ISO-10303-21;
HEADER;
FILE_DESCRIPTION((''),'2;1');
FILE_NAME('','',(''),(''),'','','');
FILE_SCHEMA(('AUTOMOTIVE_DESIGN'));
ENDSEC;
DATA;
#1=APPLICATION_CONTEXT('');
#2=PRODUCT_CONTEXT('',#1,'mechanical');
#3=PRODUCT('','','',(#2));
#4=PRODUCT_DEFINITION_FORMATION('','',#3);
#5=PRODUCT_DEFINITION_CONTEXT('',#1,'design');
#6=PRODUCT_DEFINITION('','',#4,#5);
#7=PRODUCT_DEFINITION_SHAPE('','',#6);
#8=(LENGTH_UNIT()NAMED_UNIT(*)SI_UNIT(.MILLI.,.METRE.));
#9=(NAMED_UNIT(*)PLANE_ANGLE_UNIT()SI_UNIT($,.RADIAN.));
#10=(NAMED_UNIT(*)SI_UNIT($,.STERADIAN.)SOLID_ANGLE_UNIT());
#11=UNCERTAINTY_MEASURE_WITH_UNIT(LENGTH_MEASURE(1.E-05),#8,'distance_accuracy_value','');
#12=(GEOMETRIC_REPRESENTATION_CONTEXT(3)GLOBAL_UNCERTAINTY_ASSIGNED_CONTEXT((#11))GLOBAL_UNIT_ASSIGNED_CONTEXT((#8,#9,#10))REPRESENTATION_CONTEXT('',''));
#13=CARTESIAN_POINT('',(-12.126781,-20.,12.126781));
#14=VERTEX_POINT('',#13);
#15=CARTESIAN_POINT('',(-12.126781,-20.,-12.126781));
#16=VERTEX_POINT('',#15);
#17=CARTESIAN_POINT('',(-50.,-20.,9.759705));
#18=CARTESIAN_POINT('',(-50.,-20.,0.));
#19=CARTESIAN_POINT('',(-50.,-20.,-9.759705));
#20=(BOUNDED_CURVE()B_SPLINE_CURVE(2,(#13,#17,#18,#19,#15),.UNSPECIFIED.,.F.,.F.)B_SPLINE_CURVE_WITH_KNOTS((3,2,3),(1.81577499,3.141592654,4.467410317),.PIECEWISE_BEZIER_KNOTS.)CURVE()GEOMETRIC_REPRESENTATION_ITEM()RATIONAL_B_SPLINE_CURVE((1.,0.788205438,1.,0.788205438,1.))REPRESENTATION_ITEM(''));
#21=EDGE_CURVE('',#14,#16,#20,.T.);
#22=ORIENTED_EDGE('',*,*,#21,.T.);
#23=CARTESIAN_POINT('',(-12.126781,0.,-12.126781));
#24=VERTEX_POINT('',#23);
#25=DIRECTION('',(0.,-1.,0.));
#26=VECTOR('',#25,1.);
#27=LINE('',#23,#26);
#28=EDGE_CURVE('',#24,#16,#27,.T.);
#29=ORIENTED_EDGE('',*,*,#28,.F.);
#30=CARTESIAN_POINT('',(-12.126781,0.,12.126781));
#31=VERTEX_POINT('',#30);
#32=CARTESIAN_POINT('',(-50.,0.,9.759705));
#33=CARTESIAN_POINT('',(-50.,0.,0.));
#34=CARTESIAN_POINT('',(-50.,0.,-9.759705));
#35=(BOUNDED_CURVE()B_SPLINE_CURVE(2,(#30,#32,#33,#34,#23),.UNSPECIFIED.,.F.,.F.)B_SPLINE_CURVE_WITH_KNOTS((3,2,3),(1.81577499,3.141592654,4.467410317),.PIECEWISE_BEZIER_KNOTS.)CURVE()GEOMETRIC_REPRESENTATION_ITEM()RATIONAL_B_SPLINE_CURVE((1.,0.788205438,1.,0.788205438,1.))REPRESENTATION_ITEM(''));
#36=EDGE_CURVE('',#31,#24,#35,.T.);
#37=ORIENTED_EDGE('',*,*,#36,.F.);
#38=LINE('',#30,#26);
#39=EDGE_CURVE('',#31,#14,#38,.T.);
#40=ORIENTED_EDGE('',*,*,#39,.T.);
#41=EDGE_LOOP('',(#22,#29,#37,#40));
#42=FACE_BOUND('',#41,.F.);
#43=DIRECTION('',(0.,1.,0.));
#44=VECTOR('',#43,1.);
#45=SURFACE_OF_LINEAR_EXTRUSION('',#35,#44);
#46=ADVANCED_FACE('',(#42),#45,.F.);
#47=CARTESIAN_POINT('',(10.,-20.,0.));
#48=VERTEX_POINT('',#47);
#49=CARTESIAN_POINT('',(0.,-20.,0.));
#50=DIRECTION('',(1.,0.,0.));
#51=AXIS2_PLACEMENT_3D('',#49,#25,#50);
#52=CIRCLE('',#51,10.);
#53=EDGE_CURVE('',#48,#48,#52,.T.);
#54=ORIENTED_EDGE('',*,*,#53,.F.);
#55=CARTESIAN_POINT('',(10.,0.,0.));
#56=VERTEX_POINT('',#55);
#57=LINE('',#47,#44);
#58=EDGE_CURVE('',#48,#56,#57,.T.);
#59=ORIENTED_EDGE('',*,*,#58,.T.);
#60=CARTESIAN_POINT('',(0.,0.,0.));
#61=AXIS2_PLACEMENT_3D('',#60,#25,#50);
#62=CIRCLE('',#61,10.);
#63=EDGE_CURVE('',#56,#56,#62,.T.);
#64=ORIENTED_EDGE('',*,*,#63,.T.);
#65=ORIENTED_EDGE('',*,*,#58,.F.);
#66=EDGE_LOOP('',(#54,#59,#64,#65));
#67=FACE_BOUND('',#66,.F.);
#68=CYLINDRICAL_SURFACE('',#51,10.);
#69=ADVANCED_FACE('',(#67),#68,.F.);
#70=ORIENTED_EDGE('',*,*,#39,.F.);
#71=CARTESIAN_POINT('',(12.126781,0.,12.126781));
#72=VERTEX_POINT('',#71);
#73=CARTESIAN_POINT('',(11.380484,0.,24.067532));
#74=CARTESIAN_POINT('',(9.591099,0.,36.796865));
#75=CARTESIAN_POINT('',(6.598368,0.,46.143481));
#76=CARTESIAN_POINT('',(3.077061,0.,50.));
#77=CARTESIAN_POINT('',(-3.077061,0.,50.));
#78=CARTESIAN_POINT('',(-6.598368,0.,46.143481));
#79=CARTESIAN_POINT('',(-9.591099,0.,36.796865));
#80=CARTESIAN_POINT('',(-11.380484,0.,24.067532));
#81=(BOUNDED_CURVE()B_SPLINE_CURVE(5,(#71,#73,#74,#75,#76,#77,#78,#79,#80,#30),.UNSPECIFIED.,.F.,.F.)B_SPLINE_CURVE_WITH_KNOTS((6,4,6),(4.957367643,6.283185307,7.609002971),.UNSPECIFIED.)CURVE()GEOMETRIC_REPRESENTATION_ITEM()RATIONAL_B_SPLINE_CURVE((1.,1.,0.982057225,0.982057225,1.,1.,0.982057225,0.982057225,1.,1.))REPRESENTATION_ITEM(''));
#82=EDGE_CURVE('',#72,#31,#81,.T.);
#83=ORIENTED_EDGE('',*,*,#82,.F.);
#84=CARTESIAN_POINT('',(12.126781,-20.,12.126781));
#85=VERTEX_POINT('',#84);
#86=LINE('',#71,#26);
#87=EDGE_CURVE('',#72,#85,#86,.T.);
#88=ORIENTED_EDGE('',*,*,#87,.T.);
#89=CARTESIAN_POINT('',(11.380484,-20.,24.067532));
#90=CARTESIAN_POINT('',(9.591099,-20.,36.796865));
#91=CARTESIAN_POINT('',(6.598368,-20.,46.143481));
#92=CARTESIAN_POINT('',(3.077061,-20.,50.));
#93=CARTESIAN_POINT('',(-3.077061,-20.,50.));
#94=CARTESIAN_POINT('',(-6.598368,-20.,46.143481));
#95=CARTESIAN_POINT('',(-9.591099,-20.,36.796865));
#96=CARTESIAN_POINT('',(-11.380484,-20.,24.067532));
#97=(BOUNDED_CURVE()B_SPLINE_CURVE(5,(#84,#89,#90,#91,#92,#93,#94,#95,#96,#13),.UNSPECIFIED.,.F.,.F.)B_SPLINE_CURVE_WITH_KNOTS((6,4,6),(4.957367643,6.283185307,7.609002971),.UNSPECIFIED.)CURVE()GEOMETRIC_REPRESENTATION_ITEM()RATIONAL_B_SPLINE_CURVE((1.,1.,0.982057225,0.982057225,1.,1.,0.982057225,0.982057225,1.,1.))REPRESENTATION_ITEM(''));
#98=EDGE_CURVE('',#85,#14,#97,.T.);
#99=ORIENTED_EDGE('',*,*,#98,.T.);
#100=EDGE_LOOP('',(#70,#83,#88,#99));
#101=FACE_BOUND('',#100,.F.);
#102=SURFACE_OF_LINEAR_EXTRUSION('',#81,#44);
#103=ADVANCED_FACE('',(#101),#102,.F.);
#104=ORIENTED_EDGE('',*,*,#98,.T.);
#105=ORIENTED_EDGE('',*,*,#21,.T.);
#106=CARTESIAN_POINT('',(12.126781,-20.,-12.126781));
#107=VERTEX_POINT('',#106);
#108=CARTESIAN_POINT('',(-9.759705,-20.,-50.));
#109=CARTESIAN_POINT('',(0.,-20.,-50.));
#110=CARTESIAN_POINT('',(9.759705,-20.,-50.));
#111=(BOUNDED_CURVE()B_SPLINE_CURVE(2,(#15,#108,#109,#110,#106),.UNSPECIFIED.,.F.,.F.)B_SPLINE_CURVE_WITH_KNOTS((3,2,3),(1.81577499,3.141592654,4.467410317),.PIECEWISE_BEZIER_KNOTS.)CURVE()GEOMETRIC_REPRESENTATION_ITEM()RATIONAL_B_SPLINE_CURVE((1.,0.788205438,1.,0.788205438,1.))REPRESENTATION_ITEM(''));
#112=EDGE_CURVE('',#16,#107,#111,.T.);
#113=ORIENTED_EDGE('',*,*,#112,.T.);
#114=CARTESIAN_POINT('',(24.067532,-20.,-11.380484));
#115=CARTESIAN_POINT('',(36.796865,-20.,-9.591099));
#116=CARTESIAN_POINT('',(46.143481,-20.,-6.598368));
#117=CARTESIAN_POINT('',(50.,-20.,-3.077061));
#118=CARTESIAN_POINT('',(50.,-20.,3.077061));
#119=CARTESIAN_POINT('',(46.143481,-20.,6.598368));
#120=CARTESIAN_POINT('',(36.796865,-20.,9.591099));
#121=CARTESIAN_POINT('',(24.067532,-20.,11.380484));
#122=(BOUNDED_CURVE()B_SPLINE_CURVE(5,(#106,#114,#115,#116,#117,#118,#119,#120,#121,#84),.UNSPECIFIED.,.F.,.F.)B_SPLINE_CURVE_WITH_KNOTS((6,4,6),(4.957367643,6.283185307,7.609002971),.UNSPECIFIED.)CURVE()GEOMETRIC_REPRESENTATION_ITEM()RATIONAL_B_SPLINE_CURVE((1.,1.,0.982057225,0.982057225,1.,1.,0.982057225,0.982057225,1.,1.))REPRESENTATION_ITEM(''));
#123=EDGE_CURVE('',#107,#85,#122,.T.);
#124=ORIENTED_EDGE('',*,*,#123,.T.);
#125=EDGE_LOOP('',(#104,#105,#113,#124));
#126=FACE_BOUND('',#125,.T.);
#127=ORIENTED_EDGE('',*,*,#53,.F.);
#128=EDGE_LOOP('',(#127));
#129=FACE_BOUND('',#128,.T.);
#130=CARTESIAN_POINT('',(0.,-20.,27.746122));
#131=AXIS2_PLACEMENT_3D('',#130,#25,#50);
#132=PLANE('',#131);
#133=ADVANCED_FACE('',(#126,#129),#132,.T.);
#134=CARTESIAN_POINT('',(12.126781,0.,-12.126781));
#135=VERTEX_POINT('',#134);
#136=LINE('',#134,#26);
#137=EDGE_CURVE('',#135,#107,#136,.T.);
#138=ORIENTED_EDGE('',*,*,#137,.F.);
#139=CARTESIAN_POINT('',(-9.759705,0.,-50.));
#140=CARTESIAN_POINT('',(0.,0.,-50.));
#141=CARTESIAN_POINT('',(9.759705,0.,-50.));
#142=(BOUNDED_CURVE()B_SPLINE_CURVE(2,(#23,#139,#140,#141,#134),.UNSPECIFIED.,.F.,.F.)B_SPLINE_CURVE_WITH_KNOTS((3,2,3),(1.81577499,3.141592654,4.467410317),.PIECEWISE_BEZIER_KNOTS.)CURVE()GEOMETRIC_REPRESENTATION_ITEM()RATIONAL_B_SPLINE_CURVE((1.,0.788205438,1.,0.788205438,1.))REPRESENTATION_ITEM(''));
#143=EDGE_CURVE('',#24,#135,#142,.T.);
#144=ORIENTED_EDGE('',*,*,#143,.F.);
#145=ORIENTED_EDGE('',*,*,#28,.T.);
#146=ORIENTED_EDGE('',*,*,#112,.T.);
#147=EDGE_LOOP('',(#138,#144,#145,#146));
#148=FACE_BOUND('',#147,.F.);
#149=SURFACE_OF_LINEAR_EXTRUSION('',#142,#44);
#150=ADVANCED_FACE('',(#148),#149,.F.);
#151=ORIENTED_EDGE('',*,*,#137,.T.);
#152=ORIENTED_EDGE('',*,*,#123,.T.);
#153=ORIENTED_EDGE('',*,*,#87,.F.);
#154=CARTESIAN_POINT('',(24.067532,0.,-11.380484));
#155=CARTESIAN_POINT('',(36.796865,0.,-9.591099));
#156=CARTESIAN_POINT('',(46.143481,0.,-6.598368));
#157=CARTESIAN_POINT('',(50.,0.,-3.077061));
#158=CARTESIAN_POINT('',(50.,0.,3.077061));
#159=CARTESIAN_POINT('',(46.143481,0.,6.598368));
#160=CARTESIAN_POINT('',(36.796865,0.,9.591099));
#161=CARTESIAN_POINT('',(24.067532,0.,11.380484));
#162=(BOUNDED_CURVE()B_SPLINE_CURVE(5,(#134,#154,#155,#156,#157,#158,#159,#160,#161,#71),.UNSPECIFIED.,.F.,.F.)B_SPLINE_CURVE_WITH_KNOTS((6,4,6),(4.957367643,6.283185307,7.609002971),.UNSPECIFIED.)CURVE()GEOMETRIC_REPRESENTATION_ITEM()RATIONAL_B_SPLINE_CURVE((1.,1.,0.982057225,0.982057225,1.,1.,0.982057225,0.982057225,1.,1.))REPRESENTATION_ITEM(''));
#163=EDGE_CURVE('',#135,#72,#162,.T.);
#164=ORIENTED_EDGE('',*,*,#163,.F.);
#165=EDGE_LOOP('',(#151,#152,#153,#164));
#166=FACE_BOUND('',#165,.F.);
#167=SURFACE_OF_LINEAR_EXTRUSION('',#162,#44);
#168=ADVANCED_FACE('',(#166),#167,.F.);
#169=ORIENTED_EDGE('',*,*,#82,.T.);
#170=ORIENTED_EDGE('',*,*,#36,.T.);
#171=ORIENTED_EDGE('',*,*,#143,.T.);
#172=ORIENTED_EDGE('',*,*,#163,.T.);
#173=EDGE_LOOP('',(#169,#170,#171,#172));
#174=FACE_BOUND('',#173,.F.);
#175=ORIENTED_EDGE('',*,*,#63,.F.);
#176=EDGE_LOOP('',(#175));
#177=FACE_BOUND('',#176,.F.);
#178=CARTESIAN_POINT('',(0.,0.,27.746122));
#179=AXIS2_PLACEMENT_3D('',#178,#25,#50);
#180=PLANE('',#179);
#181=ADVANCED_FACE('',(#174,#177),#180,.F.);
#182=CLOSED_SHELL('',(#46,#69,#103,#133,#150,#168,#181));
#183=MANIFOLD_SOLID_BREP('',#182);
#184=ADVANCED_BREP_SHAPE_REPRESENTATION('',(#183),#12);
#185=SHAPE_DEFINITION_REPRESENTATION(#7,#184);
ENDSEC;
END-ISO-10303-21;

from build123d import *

# Parameters (mm, degrees)
F1_DEPTH = 20
F2_R     = 10
F3_DEPTH = 20.0010001


with BuildPart() as f1:
    # F0 (on Front) → F1 (new body)
    with BuildSketch(Plane.XZ):
        with BuildLine():
            add(Edge.make_bspline(
                [(12.1267812518, 12.1267812518), (9.7597050801, 50), (0, 50)],
                knots=[4.9573676435, 4.9573676435, 4.9573676435, 6.2831853072, 6.2831853072, 6.2831853072], degree=2, weights=[1, 0.788205438, 1]))
            add(Edge.make_bspline(
                [(0, 50), (-9.7597050801, 50), (-12.1267812518, 12.1267812518)],
                knots=[0, 0, 0, 1.3258176637, 1.3258176637, 1.3258176637], degree=2, weights=[1, 0.788205438, 1]))
            add(Edge.make_bspline(
                [(12.1267812518, 12.1267812518), (0, 12.8847050801), (-12.1267812518, 12.1267812518)],
                knots=[1.3258176637, 1.3258176637, 1.3258176637, 1.8157749899, 1.8157749899, 1.8157749899], degree=2, weights=[1, 0.9701425001, 1]))
        make_face()
        with BuildLine():
            add(Edge.make_bspline(
                [(12.1267812518, 12.1267812518), (0, 12.8847050801), (-12.1267812518, 12.1267812518)],
                knots=[1.3258176637, 1.3258176637, 1.3258176637, 1.8157749899, 1.8157749899, 1.8157749899], degree=2, weights=[1, 0.9701425001, 1]))
            add(Edge.make_bspline(
                [(-12.1267812518, 12.1267812518), (-12.8847050801, 0), (-12.1267812518, -12.1267812518)],
                knots=[1.3258176637, 1.3258176637, 1.3258176637, 1.8157749899, 1.8157749899, 1.8157749899], degree=2, weights=[1, 0.9701425001, 1]))
            add(Edge.make_bspline(
                [(-12.1267812518, -12.1267812518), (0, -12.8847050801), (12.1267812518, -12.1267812518)],
                knots=[4.4674103173, 4.4674103173, 4.4674103173, 4.9573676435, 4.9573676435, 4.9573676435], degree=2, weights=[1, 0.9701425001, 1]))
            add(Edge.make_bspline(
                [(12.1267812518, -12.1267812518), (12.8847050801, 0), (12.1267812518, 12.1267812518)],
                knots=[4.4674103173, 4.4674103173, 4.4674103173, 4.9573676435, 4.9573676435, 4.9573676435], degree=2, weights=[1, 0.9701425001, 1]))
        make_face()
        with BuildLine():
            add(Edge.make_bspline(
                [(-12.1267812518, 12.1267812518), (-12.8847050801, 0), (-12.1267812518, -12.1267812518)],
                knots=[1.3258176637, 1.3258176637, 1.3258176637, 1.8157749899, 1.8157749899, 1.8157749899], degree=2, weights=[1, 0.9701425001, 1]))
            add(Edge.make_bspline(
                [(-12.1267812518, 12.1267812518), (-50, 9.7597050801), (-50, 0), (-50, -9.7597050801), (-12.1267812518, -12.1267812518)],
                knots=[1.8157749899, 1.8157749899, 1.8157749899, 3.1415926536, 3.1415926536, 4.4674103173, 4.4674103173, 4.4674103173], degree=2, weights=[1, 0.788205438, 1, 0.788205438, 1]))
        make_face()
        with BuildLine():
            add(Edge.make_bspline(
                [(50, 0), (50, 9.7597050801), (12.1267812518, 12.1267812518)],
                knots=[0, 0, 0, 1.3258176637, 1.3258176637, 1.3258176637], degree=2, weights=[1, 0.788205438, 1]))
            add(Edge.make_bspline(
                [(12.1267812518, -12.1267812518), (12.8847050801, 0), (12.1267812518, 12.1267812518)],
                knots=[4.4674103173, 4.4674103173, 4.4674103173, 4.9573676435, 4.9573676435, 4.9573676435], degree=2, weights=[1, 0.9701425001, 1]))
            add(Edge.make_bspline(
                [(12.1267812518, -12.1267812518), (50, -9.7597050801), (50, 0)],
                knots=[4.9573676435, 4.9573676435, 4.9573676435, 6.2831853072, 6.2831853072, 6.2831853072], degree=2, weights=[1, 0.788205438, 1]))
        make_face()
        with BuildLine():
            add(Edge.make_bspline(
                [(-12.1267812518, -12.1267812518), (0, -12.8847050801), (12.1267812518, -12.1267812518)],
                knots=[4.4674103173, 4.4674103173, 4.4674103173, 4.9573676435, 4.9573676435, 4.9573676435], degree=2, weights=[1, 0.9701425001, 1]))
            add(Edge.make_bspline(
                [(-12.1267812518, -12.1267812518), (-9.7597050801, -50), (0, -50), (9.7597050801, -50), (12.1267812518, -12.1267812518)],
                knots=[1.8157749899, 1.8157749899, 1.8157749899, 3.1415926536, 3.1415926536, 4.4674103173, 4.4674103173, 4.4674103173], degree=2, weights=[1, 0.788205438, 1, 0.788205438, 1]))
        make_face()
    extrude(amount=F1_DEPTH)

    # F2 (on face) → F3 (cut, through all)
    with BuildSketch(Plane.XZ.offset(20)):
        Circle(F2_R)
    extrude(amount=-F3_DEPTH, mode=Mode.SUBTRACT)


solid = f1.part
